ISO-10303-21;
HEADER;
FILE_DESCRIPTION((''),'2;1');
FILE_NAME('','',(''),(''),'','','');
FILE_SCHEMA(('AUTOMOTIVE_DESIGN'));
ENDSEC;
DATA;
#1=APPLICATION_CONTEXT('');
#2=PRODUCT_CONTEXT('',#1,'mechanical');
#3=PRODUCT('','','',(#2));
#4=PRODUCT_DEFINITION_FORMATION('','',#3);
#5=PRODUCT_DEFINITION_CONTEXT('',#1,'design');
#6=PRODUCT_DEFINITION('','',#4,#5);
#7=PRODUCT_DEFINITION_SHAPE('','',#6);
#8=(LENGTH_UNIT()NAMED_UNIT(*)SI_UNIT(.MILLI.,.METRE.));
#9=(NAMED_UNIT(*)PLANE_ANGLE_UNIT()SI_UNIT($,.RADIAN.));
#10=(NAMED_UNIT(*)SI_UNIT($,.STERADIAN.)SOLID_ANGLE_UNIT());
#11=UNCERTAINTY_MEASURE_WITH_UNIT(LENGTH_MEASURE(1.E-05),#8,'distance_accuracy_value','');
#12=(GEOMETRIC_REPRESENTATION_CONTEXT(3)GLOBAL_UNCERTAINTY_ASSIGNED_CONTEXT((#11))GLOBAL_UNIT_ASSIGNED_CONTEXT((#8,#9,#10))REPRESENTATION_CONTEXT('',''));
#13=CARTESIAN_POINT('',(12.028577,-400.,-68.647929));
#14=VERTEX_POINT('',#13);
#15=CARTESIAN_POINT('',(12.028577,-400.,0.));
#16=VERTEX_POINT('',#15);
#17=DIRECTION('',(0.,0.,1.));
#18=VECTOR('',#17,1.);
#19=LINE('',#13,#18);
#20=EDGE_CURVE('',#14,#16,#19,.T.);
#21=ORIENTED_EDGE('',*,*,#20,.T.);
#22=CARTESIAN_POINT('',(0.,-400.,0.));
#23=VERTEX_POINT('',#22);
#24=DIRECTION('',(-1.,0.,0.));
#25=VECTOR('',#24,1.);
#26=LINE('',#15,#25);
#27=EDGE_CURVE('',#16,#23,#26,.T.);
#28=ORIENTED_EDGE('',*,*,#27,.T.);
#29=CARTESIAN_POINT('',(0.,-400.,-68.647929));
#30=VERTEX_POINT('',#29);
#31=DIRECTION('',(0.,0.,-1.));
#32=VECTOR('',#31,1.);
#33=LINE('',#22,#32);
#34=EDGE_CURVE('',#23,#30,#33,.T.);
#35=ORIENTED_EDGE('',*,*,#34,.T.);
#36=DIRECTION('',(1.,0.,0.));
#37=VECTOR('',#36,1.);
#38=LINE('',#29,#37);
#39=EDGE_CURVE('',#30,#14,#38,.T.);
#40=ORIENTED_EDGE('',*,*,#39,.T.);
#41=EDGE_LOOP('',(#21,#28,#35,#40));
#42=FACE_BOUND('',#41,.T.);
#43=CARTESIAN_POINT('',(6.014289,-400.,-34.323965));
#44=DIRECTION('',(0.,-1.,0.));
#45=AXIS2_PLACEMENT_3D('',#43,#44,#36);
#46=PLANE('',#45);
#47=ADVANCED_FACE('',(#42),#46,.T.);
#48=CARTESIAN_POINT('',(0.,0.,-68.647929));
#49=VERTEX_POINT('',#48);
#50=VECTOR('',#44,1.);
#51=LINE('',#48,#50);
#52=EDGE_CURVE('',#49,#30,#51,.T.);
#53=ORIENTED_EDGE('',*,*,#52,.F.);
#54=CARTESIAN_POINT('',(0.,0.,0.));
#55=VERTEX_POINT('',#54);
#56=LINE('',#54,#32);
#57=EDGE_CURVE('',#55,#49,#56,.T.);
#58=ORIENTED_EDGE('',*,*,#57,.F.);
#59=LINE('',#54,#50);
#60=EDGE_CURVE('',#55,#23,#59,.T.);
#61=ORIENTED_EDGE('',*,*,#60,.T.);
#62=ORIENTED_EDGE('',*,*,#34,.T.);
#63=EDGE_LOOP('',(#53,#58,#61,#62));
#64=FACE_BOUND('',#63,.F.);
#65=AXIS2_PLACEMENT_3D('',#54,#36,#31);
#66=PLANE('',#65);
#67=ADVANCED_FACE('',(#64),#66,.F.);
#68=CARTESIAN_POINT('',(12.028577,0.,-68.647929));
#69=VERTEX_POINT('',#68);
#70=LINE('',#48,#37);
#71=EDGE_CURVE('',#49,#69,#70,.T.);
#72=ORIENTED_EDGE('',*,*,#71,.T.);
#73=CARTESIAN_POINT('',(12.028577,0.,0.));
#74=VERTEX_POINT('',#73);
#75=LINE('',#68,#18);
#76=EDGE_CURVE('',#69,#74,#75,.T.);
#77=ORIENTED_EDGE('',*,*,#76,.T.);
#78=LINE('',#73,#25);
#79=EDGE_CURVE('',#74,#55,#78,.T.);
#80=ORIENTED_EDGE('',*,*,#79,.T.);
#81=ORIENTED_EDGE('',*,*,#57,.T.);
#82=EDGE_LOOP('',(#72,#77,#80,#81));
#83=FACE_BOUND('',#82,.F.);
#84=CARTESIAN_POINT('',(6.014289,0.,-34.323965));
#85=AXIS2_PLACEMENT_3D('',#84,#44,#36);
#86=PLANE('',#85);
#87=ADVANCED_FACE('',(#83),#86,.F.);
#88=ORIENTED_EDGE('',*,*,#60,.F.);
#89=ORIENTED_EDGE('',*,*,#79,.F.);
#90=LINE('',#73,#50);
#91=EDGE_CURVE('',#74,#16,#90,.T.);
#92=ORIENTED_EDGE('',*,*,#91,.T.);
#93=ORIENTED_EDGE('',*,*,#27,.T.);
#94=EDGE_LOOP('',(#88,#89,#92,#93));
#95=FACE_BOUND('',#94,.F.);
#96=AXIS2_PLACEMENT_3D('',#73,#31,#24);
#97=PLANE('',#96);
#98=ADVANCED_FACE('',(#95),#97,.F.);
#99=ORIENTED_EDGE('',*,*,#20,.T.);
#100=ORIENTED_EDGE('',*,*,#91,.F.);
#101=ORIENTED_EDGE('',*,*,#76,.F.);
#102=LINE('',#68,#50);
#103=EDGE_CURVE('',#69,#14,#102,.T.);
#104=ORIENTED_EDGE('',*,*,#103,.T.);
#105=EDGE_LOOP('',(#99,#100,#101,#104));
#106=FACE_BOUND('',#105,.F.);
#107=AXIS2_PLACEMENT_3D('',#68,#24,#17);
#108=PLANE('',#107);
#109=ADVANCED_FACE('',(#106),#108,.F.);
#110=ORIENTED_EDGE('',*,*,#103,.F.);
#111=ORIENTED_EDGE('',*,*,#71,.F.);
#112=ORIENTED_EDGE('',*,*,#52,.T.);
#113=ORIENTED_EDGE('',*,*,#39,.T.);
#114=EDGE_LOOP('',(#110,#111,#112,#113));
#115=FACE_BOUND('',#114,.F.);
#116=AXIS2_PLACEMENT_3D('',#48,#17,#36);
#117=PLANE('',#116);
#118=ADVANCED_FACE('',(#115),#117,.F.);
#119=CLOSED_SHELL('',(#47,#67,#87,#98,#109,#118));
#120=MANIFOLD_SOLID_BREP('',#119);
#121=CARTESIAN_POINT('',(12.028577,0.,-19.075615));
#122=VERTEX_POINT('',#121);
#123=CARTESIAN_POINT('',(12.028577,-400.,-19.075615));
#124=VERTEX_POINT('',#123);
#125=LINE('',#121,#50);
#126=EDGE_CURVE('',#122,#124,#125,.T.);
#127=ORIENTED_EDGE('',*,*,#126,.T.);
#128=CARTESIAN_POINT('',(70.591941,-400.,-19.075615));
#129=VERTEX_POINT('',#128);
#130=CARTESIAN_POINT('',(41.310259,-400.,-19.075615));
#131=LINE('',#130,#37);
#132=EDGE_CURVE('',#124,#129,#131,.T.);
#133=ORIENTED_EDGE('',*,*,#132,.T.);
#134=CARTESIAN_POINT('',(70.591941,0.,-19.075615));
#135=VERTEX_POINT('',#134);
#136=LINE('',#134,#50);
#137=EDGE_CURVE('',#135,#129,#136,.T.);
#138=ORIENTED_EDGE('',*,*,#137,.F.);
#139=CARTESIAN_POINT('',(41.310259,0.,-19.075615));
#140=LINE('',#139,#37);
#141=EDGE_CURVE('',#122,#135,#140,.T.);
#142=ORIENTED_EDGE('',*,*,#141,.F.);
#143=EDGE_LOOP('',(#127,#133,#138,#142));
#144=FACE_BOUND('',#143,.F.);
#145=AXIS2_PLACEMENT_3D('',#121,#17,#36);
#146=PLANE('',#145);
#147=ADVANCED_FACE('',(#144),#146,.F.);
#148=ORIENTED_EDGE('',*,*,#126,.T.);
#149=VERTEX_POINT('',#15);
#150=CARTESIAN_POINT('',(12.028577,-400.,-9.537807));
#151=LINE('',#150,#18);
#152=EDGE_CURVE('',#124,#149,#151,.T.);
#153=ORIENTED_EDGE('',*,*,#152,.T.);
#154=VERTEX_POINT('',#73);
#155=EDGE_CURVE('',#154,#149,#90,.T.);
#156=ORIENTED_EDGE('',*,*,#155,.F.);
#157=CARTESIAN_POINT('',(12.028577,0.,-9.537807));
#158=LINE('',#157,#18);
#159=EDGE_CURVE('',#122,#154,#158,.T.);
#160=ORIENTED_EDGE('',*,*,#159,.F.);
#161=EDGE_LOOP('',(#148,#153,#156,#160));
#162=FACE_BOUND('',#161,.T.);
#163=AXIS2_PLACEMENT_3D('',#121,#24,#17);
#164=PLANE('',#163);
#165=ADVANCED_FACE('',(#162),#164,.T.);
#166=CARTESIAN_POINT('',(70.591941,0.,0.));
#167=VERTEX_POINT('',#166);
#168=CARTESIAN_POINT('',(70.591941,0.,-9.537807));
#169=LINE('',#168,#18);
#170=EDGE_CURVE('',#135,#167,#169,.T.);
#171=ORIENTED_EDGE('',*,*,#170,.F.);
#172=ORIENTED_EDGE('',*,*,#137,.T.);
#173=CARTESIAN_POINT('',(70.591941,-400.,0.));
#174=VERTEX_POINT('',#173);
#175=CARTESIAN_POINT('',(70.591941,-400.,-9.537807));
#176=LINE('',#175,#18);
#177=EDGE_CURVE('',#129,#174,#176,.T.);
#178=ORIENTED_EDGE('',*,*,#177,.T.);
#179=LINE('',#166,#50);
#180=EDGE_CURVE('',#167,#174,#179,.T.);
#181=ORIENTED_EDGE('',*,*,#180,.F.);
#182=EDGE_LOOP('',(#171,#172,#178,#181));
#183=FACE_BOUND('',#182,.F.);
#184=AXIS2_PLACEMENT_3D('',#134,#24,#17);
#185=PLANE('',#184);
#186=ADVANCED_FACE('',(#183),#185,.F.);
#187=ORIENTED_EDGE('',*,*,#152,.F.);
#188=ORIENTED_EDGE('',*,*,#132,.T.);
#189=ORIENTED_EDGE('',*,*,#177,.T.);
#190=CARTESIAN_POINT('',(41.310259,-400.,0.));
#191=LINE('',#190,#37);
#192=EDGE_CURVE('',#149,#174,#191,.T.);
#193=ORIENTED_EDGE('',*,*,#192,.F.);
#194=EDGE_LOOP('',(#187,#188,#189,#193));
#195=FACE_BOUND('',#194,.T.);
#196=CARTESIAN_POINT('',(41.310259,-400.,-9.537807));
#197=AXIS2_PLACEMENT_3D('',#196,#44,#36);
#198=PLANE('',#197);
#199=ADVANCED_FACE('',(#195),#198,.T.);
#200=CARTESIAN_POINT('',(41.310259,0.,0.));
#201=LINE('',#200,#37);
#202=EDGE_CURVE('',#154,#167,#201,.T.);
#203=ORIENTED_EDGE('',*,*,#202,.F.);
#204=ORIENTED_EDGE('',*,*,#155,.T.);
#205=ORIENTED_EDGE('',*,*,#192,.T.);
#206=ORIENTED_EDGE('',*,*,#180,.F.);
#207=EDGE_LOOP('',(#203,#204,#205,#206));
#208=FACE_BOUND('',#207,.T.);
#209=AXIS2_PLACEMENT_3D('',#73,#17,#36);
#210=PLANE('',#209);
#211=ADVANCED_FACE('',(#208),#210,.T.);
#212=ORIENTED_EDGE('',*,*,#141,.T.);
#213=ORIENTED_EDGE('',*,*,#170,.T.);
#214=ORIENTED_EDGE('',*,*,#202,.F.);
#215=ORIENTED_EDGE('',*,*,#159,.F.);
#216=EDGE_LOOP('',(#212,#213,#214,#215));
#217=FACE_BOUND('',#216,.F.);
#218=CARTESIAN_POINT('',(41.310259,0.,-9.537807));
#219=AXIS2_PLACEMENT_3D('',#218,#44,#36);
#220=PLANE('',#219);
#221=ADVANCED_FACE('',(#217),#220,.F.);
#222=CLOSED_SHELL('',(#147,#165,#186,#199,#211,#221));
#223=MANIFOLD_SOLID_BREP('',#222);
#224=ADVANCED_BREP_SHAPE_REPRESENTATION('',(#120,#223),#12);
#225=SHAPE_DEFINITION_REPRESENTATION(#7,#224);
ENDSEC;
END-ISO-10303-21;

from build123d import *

# Parameters (mm, degrees)
F1_DEPTH = 400
F0_W     = 58.563364
F0_H     = 19.075615
F2_DEPTH = 400


with BuildPart() as f1:
    # F0 (on Front) → F1 (new body)
    with BuildSketch(Plane.XZ):
        Polygon((12.028577, 0), (0, 0), (0, -68.647929), (12.028577, -68.647929), (12.028577, -19.075615), align=None)
    extrude(amount=F1_DEPTH)


with BuildPart() as f2:
    # F0 (on Front) → F2 (new body)
    with BuildSketch(Plane.XZ):
        with Locations((41.310259, -9.537807)):
            Rectangle(F0_W, F0_H)
    extrude(amount=F2_DEPTH)


solid = Compound([f1.part, f2.part])
